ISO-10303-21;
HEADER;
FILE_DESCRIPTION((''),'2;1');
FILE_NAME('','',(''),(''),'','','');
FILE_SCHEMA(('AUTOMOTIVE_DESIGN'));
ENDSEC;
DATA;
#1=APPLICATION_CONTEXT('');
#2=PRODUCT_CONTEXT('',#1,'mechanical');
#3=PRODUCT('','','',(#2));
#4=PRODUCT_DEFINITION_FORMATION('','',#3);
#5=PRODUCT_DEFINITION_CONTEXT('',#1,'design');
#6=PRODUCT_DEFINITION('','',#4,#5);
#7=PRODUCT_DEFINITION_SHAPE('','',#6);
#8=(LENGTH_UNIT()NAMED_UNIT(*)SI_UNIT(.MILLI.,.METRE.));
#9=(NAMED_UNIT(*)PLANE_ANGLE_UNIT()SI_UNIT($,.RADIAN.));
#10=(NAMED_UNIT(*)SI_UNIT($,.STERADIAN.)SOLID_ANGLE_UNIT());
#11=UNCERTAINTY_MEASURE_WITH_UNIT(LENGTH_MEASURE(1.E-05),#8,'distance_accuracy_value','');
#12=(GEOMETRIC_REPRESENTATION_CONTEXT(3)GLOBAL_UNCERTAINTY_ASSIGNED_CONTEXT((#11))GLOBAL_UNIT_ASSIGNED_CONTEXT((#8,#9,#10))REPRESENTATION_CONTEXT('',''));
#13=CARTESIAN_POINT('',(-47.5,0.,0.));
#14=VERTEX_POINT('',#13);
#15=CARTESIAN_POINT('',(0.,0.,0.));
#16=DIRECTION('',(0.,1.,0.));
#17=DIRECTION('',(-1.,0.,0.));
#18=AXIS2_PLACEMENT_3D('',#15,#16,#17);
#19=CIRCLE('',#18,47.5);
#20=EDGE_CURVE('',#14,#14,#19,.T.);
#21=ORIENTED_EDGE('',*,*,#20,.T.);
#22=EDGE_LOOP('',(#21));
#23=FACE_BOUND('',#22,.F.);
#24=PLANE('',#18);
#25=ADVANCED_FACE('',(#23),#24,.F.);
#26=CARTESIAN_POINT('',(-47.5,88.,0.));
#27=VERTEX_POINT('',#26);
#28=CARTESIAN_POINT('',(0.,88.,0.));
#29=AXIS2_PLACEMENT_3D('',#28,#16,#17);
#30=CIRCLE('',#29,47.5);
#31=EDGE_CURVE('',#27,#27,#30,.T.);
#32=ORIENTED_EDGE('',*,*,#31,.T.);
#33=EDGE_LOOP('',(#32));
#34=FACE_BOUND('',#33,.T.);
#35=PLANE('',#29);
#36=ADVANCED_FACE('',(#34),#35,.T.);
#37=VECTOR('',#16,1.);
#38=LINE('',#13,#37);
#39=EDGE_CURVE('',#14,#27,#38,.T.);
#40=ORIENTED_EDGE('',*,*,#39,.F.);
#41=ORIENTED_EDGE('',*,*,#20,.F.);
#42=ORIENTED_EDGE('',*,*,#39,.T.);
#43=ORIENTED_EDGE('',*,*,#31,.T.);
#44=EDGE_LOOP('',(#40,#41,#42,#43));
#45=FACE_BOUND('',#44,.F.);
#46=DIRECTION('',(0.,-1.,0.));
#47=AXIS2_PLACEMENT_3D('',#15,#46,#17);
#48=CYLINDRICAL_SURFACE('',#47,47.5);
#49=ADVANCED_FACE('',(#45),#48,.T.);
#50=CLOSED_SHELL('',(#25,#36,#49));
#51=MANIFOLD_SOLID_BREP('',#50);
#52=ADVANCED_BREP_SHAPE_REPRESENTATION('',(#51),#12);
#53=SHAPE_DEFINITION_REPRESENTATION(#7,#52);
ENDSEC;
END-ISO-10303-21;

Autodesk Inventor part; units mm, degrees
ref_plane "YZ Plane" through (0, 0, 0) normal (1, 0, 0) x (0, 1, 0)
ref_plane "XZ Plane" through (0, 0, 0) normal (0, 1, 0) x (-1, 0, 0)
ref_plane "XY Plane" through (0, 0, 0) normal (0, 0, 1) x (1, 0, 0)
sketch "スケッチ1" plane through (0, 0, 0) normal (0, 1, 0) x (-1, 0, 0)
  circle A0 centre (0, 0) radius 37.5
  circle A1 centre (0, 0) radius 47.5
  dimension "d0" = 75
  dimension "d1" = 95
extrude "押し出し1" add sketch "スケッチ1" along normal blind 88 contours A0 | A1
properties part number "kata"
